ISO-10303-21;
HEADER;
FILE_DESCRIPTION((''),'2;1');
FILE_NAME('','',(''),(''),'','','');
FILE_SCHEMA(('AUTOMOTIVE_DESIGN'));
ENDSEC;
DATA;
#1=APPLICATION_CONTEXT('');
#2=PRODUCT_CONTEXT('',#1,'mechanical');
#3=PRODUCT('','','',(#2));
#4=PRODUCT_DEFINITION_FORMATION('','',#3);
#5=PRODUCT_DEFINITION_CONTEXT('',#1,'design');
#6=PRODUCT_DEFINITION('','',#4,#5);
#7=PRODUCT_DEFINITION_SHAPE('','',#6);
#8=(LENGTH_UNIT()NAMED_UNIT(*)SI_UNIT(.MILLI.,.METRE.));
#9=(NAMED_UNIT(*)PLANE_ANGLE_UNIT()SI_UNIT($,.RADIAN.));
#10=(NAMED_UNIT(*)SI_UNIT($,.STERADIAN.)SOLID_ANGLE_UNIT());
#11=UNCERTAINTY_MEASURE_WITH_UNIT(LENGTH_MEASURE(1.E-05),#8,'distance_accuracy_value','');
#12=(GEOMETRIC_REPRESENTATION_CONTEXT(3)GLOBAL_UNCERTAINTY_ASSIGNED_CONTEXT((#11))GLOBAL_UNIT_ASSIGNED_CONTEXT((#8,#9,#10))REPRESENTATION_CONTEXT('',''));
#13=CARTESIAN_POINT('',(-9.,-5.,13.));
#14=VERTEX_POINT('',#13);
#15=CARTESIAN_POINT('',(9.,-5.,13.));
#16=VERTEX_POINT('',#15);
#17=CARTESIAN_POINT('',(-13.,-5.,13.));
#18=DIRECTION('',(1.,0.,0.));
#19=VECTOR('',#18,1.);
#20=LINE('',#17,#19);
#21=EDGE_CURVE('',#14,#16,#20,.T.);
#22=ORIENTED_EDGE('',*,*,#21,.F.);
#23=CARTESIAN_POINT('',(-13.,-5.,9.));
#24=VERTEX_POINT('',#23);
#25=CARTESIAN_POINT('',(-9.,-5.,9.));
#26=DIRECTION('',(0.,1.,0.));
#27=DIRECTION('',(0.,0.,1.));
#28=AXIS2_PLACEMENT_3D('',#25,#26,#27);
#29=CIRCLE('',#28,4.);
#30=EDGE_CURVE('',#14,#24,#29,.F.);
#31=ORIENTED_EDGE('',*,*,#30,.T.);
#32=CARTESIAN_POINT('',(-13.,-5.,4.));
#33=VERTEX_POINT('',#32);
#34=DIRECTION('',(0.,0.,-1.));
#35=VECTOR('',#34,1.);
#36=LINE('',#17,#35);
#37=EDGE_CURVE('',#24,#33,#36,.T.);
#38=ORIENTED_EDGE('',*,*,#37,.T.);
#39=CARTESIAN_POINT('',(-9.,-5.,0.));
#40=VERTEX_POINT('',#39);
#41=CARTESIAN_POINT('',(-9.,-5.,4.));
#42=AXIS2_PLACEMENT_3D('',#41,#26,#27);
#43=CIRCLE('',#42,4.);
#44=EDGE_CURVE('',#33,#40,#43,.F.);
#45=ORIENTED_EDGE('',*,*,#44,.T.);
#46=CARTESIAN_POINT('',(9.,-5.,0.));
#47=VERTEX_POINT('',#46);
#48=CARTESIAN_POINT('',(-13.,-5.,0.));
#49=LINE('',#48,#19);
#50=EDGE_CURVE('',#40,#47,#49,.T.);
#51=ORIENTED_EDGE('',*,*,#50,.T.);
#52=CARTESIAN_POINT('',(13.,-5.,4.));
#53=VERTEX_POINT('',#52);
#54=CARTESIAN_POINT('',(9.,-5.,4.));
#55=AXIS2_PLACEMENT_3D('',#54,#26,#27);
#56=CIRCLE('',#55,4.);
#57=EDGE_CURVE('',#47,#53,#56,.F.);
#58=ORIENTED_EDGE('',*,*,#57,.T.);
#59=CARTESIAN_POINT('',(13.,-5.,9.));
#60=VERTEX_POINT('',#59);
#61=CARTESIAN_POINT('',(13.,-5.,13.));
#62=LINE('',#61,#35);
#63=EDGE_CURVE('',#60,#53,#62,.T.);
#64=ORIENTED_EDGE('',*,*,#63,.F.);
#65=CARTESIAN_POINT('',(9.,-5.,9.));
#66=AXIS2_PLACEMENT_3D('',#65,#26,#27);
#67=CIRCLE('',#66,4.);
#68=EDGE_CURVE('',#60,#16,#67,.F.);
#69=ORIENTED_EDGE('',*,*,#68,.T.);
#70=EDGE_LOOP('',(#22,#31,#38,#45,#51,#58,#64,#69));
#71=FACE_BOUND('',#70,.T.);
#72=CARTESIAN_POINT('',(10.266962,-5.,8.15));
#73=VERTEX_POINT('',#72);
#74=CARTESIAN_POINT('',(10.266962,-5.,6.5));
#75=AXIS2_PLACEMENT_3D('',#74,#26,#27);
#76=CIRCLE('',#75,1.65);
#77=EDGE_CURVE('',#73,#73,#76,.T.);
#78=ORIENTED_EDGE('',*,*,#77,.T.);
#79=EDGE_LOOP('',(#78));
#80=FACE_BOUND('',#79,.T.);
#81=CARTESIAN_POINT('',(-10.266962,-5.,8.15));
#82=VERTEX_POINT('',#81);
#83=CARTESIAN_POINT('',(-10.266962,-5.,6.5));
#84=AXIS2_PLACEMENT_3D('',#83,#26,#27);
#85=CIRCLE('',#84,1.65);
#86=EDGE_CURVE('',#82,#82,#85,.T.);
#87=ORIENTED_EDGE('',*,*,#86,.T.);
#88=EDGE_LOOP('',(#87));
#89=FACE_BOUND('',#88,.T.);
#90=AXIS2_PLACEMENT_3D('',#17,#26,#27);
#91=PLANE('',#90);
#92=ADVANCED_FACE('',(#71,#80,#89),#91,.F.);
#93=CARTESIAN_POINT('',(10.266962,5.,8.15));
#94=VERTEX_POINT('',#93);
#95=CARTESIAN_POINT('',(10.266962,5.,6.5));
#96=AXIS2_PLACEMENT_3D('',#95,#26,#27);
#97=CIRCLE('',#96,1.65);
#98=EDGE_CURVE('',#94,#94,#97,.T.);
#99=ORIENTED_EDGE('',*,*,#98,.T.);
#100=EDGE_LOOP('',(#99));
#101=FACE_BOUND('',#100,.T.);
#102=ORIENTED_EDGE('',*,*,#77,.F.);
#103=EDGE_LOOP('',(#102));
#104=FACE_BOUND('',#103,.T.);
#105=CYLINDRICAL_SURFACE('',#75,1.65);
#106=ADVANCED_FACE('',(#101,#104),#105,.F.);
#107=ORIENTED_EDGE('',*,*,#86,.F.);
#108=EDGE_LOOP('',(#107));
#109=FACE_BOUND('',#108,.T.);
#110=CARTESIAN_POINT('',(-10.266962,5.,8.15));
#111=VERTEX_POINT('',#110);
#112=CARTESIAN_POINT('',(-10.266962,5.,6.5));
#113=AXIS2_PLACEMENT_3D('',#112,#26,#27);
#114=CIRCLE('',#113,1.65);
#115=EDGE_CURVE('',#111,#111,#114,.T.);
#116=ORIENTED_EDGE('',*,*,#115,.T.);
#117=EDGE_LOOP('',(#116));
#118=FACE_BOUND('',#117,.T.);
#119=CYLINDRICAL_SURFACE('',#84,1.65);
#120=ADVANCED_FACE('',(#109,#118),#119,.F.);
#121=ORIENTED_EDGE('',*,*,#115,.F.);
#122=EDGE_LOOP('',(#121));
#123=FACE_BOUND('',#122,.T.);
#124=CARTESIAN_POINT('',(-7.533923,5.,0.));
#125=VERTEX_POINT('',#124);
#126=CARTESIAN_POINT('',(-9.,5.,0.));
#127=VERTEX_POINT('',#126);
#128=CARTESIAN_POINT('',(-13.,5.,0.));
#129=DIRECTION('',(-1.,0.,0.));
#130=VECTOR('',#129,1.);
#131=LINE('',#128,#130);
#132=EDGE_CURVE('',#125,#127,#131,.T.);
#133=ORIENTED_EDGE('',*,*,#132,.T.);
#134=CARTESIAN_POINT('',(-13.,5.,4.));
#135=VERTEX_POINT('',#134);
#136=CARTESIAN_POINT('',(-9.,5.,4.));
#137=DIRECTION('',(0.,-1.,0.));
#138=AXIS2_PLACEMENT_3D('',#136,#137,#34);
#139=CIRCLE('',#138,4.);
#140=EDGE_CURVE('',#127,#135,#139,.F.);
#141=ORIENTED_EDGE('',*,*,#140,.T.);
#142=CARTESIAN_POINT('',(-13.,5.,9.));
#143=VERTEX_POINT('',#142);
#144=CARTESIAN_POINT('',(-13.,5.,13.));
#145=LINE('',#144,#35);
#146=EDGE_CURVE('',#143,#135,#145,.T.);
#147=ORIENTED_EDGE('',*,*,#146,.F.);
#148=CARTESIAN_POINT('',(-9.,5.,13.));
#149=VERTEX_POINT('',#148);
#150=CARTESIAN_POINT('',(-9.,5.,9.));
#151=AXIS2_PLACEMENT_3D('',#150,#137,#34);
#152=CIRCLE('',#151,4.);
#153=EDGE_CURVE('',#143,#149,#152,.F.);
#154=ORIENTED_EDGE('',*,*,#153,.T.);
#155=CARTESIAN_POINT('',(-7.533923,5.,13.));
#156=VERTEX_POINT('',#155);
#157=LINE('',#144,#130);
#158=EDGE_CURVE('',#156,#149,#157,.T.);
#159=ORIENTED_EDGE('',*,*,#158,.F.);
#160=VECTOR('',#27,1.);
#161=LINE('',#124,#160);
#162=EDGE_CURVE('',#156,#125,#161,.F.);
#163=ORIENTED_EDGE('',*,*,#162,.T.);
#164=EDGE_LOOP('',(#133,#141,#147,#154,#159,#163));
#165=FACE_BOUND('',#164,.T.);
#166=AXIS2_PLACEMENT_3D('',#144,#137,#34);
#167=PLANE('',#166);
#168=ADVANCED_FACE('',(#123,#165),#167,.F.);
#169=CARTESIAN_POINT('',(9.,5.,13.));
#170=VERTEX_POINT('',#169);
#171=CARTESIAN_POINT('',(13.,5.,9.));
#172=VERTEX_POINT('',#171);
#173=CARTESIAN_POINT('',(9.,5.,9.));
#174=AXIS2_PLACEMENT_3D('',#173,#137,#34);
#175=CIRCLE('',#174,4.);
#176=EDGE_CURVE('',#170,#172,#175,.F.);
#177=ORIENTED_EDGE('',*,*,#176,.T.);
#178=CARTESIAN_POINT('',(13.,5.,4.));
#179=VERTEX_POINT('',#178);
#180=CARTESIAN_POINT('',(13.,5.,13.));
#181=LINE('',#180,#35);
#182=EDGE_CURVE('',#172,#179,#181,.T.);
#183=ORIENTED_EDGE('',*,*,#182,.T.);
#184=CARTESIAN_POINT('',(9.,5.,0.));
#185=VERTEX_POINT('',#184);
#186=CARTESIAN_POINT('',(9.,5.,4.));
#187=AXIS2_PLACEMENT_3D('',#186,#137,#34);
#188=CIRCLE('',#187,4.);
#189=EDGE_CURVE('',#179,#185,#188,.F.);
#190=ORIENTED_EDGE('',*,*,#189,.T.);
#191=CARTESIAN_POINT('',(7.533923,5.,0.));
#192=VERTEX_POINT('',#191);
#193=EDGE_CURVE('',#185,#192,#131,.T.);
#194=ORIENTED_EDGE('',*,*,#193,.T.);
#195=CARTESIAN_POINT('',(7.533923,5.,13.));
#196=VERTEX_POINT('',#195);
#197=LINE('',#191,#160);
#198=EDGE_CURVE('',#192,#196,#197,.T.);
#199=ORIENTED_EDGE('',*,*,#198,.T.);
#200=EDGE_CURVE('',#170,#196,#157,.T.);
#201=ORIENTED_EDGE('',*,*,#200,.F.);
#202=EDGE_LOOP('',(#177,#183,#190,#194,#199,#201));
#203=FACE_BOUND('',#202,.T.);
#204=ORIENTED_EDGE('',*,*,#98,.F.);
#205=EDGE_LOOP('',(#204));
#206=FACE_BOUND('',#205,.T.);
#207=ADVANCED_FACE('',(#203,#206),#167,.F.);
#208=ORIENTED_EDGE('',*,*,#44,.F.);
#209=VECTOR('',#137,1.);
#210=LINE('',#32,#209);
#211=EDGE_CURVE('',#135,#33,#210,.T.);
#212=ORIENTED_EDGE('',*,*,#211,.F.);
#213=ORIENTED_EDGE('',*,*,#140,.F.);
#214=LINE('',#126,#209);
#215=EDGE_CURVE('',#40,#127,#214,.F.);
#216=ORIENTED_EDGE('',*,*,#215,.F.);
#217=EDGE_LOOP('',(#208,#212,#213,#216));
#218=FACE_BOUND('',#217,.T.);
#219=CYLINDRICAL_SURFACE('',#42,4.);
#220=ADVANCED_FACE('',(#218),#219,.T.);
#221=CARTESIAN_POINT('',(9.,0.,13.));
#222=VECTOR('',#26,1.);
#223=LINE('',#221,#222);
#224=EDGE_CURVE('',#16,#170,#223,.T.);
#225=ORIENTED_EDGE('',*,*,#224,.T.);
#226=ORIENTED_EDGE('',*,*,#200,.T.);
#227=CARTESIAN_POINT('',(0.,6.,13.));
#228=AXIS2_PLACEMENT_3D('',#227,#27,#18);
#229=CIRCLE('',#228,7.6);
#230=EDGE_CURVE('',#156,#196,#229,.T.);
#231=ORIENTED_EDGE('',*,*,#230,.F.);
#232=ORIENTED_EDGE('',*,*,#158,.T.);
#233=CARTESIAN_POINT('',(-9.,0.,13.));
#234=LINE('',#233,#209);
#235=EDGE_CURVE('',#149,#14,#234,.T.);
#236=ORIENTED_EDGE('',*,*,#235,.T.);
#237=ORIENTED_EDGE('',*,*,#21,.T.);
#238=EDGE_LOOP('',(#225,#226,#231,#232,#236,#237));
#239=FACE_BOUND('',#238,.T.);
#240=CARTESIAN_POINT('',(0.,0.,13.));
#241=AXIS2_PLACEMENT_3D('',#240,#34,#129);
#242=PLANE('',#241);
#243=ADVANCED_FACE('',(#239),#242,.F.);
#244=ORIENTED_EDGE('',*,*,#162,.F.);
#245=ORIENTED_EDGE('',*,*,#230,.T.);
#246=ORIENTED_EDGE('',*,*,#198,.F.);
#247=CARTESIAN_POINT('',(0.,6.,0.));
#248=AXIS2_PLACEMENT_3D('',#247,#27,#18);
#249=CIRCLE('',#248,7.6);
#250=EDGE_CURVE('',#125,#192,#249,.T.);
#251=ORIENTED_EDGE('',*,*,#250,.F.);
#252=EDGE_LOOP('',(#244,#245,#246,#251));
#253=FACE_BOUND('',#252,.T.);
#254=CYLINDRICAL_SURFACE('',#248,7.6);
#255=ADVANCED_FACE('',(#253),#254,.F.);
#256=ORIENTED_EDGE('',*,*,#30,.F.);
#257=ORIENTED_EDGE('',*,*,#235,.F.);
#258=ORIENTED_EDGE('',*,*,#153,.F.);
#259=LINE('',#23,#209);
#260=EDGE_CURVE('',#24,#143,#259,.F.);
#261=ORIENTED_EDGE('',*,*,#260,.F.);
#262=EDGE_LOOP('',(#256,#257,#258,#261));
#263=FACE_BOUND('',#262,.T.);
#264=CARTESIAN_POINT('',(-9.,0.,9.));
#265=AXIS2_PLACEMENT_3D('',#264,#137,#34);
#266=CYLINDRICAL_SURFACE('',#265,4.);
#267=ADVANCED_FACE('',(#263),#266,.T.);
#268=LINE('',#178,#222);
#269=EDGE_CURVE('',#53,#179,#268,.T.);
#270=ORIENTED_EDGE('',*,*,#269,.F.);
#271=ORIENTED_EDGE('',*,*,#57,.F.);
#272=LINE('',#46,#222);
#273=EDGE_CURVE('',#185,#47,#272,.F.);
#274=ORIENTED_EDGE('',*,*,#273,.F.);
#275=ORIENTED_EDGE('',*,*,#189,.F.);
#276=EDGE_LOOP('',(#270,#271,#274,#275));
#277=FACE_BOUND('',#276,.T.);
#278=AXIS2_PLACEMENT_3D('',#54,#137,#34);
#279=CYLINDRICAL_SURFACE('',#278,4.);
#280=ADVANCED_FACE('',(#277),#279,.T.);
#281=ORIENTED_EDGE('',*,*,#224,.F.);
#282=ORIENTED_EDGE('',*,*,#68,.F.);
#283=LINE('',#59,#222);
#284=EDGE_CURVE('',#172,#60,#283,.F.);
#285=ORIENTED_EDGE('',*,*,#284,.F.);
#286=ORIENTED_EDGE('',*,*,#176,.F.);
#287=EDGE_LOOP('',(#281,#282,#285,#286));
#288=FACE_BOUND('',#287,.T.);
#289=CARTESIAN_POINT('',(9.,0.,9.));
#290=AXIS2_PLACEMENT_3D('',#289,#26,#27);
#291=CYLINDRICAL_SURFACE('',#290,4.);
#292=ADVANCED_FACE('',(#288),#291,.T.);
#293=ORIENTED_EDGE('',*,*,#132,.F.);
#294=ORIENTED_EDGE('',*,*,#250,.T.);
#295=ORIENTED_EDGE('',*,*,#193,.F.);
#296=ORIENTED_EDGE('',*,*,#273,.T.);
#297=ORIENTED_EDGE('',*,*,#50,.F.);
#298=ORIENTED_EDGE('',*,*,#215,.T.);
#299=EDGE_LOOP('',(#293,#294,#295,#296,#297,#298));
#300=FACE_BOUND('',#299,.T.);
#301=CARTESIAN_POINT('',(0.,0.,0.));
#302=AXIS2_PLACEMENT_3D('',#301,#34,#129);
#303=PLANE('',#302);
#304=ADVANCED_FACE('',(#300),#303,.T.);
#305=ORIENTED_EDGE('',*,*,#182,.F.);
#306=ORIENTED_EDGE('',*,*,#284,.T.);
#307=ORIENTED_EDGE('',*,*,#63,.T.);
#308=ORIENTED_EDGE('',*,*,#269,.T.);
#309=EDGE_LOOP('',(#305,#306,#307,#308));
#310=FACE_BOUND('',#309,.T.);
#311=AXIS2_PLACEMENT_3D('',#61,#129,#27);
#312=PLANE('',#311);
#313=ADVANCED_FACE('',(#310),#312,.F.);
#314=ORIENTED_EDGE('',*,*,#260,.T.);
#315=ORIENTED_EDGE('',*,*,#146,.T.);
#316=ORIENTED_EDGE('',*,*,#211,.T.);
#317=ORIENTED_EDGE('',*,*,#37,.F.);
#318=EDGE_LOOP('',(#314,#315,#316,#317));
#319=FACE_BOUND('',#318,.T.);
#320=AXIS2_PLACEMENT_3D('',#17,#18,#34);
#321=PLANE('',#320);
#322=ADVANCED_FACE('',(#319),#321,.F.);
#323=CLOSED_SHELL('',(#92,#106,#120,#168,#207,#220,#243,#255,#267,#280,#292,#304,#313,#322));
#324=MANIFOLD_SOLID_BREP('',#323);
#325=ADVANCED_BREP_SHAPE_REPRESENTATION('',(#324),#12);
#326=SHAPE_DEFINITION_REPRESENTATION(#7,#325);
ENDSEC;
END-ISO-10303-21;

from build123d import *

# Parameters (mm, degrees)
SKETCH1_W           = 26
SKETCH1_H           = 10
BOSS_EXTRUDE1_DEPTH = 13
SKETCH2_R           = 7.6
CUT_EXTRUDE1_DEPTH  = 20.052558883
SKETCH3_R           = 1.65
CUT_EXTRUDE2_DEPTH  = 10
FILLET2_R           = 4


with BuildPart() as part:
    # Sketch1 → Boss-Extrude1 (new body)
    with BuildSketch(Plane.XY):
        Rectangle(SKETCH1_W, SKETCH1_H)
    extrude(amount=BOSS_EXTRUDE1_DEPTH)

    # Sketch2 → Cut-Extrude1 (cut, through all)
    with BuildSketch(Plane.XY.offset(13)):
        with Locations((0, 6)):
            Circle(SKETCH2_R)
    extrude(amount=-CUT_EXTRUDE1_DEPTH, mode=Mode.SUBTRACT)

    # Sketch3 → Cut-Extrude2 (cut)
    with BuildSketch(Plane(origin=(0, 5, 0), x_dir=(1, 0, 0), z_dir=(0, 1, 0))):
        with Locations(Location((-10.26696164, -6.5, 0), (0, 0, 270))):
            Circle(SKETCH3_R)
        with Locations(Location((10.26696164, -6.5, 0), (0, 0, 270))):
            Circle(SKETCH3_R)
    extrude(amount=-CUT_EXTRUDE2_DEPTH, mode=Mode.SUBTRACT)

    # Fillet2
    fillet2_edges = [part.edges().sort_by_distance(p)[0] for p in [
        (-13, 0, 13),
        (13, 0, 13),
        (-13, 0, 0),
        (13, 0, 0),
    ]]
    fillet(fillet2_edges, radius=FILLET2_R)


solid = part.part
